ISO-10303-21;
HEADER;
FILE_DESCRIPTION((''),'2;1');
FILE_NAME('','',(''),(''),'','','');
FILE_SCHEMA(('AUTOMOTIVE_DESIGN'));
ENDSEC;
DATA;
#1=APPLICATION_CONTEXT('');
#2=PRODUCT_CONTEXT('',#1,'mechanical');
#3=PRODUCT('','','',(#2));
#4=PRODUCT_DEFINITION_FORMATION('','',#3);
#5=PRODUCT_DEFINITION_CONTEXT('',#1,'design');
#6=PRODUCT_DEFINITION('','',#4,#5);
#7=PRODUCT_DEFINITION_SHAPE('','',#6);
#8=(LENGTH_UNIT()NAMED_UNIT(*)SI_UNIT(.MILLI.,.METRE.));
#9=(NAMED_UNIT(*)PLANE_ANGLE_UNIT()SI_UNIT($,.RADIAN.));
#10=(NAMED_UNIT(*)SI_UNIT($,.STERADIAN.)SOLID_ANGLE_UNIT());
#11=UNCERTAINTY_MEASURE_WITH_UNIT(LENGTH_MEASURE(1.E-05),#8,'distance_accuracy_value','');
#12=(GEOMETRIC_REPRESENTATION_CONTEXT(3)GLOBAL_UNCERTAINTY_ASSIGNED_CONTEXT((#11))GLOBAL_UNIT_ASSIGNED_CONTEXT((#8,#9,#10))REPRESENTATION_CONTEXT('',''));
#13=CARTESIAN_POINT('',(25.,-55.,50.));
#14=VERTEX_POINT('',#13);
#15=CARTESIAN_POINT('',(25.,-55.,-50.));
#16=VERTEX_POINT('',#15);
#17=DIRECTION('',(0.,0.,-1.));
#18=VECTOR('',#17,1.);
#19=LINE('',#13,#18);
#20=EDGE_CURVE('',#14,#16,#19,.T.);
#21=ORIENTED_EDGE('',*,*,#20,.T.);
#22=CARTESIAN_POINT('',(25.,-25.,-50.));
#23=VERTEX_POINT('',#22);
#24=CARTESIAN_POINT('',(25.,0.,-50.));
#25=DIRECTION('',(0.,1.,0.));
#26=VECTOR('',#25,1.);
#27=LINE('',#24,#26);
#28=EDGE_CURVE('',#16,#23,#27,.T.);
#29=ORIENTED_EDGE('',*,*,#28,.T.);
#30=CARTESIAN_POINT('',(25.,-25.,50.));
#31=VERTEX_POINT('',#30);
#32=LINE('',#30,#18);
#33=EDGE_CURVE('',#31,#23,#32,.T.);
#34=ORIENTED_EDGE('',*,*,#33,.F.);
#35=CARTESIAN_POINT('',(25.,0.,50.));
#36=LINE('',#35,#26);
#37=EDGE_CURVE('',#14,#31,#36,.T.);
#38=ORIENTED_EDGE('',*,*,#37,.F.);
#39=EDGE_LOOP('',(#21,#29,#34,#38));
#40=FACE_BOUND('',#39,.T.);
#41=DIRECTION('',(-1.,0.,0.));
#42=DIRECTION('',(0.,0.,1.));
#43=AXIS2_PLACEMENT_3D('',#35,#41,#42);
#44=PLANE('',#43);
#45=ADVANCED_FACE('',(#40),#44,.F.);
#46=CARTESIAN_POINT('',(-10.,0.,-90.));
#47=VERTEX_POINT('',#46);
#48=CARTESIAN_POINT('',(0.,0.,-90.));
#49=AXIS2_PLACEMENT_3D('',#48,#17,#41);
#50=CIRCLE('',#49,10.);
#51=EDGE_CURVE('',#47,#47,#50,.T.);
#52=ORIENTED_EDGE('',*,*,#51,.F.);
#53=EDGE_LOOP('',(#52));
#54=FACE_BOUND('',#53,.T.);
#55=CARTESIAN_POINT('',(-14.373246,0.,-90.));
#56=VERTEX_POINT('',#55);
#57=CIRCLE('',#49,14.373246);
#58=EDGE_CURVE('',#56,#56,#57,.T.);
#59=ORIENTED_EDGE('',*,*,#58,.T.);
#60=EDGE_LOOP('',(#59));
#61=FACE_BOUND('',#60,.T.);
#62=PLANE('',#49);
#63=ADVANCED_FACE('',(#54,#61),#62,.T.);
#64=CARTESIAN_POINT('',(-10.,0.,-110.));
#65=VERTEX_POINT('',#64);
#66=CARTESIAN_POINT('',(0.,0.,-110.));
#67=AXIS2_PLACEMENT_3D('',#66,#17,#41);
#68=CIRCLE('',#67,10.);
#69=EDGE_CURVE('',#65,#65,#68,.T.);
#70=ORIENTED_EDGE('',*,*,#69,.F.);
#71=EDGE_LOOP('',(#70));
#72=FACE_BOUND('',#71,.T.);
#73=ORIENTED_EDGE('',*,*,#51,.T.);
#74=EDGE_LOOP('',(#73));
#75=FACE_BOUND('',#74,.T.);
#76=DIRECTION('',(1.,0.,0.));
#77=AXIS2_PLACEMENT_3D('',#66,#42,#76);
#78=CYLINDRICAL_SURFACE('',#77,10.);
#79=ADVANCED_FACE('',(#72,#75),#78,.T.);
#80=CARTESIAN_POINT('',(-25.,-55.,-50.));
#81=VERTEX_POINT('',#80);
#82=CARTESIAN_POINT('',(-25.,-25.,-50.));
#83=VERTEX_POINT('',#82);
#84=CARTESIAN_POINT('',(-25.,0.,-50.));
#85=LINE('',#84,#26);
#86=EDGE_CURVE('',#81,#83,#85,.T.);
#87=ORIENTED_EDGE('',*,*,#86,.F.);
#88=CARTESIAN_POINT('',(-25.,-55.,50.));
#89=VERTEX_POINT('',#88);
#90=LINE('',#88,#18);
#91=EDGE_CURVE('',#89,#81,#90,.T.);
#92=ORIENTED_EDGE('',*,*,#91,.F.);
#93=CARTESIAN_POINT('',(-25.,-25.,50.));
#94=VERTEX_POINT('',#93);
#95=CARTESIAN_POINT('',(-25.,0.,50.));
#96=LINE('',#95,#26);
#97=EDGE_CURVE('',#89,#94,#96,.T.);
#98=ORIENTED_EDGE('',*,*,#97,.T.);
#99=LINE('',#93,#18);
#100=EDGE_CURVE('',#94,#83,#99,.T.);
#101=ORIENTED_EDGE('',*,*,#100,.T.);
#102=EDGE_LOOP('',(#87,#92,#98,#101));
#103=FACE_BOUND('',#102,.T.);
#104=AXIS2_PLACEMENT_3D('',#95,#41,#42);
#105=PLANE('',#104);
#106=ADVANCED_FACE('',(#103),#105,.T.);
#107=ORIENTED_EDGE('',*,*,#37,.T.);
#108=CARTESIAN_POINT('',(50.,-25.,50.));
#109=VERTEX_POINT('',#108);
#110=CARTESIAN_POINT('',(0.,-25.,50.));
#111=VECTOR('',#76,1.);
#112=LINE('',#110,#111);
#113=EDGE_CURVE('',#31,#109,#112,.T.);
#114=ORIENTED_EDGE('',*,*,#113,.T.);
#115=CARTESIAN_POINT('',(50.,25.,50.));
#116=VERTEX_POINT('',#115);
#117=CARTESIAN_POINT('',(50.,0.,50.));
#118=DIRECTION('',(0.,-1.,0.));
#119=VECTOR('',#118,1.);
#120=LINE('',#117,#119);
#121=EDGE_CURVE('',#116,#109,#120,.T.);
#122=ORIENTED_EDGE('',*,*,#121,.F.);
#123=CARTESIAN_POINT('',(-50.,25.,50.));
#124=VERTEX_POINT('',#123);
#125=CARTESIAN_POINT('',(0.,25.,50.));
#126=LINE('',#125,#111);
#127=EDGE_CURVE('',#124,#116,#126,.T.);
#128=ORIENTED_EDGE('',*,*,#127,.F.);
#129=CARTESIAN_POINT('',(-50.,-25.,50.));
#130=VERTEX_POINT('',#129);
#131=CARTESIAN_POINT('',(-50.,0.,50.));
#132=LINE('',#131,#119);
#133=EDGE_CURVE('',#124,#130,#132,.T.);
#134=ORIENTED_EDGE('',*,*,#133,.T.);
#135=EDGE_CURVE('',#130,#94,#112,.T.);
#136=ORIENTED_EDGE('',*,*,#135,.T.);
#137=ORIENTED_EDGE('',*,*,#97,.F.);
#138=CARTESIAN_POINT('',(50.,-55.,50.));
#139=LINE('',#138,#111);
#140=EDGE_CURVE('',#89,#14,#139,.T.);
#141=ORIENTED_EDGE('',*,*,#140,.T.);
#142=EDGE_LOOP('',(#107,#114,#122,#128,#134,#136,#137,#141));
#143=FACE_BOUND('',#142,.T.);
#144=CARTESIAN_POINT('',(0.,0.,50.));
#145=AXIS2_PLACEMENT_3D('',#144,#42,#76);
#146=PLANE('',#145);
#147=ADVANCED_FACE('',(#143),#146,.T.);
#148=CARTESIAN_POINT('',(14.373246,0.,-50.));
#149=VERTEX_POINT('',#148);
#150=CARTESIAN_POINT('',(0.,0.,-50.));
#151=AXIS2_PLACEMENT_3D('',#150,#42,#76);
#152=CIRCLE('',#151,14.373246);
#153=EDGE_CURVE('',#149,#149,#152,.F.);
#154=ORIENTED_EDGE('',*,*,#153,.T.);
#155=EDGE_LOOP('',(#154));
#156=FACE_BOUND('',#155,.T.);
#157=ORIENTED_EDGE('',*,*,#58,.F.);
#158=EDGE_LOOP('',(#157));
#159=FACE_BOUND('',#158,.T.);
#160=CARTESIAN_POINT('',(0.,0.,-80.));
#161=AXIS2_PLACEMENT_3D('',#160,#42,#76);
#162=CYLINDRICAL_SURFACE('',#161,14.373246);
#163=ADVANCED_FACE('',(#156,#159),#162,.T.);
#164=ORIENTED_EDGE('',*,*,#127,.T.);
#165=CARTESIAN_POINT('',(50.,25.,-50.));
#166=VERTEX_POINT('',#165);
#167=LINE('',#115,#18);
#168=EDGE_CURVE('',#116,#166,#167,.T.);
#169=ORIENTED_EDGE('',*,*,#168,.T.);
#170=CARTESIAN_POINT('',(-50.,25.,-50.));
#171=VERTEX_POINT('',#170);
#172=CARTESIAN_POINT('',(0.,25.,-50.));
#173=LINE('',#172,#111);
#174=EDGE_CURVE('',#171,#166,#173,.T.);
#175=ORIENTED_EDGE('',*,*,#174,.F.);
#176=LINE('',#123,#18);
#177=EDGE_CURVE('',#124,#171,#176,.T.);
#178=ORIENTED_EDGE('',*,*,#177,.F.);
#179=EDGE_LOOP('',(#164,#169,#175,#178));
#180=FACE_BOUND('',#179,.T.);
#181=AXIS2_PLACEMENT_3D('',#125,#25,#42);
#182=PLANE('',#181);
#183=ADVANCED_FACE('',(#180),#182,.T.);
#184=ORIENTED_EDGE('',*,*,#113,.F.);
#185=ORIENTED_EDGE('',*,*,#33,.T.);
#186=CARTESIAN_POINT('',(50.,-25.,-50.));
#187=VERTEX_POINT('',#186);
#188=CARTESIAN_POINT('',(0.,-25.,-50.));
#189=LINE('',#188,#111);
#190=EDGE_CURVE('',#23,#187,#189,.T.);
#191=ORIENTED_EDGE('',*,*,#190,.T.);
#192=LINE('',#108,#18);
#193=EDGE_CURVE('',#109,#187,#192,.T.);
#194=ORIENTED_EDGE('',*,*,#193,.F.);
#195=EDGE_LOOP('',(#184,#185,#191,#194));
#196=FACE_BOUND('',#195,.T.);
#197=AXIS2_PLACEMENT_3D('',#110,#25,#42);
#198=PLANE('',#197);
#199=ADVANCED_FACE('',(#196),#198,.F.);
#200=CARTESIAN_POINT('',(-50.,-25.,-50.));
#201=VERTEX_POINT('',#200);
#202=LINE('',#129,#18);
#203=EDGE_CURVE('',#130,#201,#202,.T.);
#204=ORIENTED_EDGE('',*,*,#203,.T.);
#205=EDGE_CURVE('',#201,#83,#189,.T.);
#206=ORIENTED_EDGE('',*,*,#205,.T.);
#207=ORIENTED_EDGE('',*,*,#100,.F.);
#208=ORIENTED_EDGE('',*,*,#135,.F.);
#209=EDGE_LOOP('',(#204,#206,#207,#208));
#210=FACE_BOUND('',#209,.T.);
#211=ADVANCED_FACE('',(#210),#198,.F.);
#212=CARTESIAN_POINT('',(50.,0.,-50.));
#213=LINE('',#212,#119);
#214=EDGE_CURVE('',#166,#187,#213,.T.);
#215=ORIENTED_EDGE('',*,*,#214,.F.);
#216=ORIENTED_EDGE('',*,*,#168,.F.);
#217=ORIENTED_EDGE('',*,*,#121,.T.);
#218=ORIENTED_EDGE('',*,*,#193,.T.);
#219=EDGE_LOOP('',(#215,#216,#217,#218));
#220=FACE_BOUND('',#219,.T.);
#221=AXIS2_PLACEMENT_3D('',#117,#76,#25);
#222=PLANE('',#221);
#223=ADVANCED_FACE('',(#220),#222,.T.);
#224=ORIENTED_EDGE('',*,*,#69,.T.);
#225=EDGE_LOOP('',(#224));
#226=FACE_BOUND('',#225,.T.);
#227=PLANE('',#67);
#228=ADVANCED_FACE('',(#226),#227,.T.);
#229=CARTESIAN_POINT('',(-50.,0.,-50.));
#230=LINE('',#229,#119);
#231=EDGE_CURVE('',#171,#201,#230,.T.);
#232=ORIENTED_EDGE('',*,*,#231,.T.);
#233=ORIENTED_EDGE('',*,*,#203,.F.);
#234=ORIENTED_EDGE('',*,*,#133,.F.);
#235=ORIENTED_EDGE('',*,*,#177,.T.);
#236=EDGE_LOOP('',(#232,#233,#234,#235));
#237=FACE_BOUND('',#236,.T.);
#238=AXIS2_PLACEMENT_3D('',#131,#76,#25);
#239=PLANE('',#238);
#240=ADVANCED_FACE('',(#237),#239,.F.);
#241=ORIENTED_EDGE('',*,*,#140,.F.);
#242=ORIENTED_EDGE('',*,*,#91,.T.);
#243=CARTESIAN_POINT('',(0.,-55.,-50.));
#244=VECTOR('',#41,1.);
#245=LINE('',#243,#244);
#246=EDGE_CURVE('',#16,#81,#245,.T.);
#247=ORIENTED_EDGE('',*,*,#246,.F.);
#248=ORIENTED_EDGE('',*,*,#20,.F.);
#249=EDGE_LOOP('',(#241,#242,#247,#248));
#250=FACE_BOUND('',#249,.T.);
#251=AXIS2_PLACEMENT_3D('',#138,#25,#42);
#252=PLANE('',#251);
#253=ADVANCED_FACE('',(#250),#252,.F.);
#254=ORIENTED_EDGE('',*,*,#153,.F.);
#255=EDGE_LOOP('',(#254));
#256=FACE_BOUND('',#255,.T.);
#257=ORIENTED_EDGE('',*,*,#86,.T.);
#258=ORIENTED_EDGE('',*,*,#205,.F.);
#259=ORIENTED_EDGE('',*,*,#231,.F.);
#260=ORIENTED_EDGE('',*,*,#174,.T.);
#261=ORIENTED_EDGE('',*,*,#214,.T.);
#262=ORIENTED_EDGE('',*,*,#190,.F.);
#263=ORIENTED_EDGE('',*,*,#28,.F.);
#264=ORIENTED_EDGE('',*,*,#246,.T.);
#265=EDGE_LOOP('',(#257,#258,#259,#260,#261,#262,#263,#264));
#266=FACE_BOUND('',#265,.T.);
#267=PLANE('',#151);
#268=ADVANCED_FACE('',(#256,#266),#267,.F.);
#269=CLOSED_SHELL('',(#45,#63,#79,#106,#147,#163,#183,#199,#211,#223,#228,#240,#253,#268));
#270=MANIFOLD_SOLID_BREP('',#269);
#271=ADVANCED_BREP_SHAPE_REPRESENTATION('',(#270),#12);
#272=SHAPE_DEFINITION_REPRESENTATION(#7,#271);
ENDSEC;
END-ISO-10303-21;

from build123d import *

# Parameters (mm, degrees)
SKETCH_1_W               = 100
SKETCH_1_H               = 50
SKETCH_1_W_2             = 50
SKETCH_1_H_2             = 30
EXTRUDE_1_DEPTH          = 50
SKETCH_2_R               = 14.373245618
EXTRUDE_2_DEPTH          = 30
CUT_EXTRUDE_2_DEPTH      = 154.378616502
CUT_EXTRUDE_2_DEPTH_BACK = 154.378616502
SKETCH_4_W               = 100
SKETCH_4_H               = 50
SKETCH_5_R               = 10
EXTRUDE_3_DEPTH          = 30
SKETCH_6_R               = 14.373245618
EXTRUDE_4_DEPTH          = 10


with BuildPart() as part:
    # 草图1 → 凸台-拉伸1 (new, symmetric)
    with BuildSketch(Plane.XY):
        Rectangle(SKETCH_1_W, SKETCH_1_H)
        with Locations((0, -40)):
            Rectangle(SKETCH_1_W_2, SKETCH_1_H_2)
        Polygon((25, -55), (-25, -55), (-50, -55), (-50, -105), (50, -105), (50, -55), align=None)
    extrude(amount=EXTRUDE_1_DEPTH, both=True)

    # 草图2 → 凸台-拉伸2 (add)
    with BuildSketch(Plane(origin=(0, 0, -50), x_dir=(-1, 0, 0), z_dir=(0, 0, -1))):
        with Locations(Location((0, 0, 0), (0, 0, 180))):
            Circle(SKETCH_2_R)
    extrude(amount=EXTRUDE_2_DEPTH)

    # 草图4 → 切除-拉伸2 (cut, two sides: drawn at the far end of the back side and taken through both)
    with BuildSketch(Plane(origin=(0, 0, -50), x_dir=(-1, 0, 0), z_dir=(0, 0, -1)).offset(-CUT_EXTRUDE_2_DEPTH_BACK)):
        with Locations((0, -80)):
            Rectangle(SKETCH_4_W, SKETCH_4_H)
    extrude(amount=CUT_EXTRUDE_2_DEPTH + CUT_EXTRUDE_2_DEPTH_BACK, mode=Mode.SUBTRACT)

    # 草图5 → 凸台-拉伸3 (add)
    with BuildSketch(Plane(origin=(0, 0, -80), x_dir=(-1, 0, 0), z_dir=(0, 0, -1))):
        Circle(SKETCH_5_R)
    extrude(amount=EXTRUDE_3_DEPTH)

    # 草图6 → 凸台-拉伸4 (add)
    with BuildSketch(Plane(origin=(0, 0, -80), x_dir=(-1, 0, 0), z_dir=(0, 0, -1))):
        with Locations(Location((0, 0, 0), (0, 0, 180))):
            Circle(SKETCH_6_R)
    extrude(amount=EXTRUDE_4_DEPTH)


solid = part.part
